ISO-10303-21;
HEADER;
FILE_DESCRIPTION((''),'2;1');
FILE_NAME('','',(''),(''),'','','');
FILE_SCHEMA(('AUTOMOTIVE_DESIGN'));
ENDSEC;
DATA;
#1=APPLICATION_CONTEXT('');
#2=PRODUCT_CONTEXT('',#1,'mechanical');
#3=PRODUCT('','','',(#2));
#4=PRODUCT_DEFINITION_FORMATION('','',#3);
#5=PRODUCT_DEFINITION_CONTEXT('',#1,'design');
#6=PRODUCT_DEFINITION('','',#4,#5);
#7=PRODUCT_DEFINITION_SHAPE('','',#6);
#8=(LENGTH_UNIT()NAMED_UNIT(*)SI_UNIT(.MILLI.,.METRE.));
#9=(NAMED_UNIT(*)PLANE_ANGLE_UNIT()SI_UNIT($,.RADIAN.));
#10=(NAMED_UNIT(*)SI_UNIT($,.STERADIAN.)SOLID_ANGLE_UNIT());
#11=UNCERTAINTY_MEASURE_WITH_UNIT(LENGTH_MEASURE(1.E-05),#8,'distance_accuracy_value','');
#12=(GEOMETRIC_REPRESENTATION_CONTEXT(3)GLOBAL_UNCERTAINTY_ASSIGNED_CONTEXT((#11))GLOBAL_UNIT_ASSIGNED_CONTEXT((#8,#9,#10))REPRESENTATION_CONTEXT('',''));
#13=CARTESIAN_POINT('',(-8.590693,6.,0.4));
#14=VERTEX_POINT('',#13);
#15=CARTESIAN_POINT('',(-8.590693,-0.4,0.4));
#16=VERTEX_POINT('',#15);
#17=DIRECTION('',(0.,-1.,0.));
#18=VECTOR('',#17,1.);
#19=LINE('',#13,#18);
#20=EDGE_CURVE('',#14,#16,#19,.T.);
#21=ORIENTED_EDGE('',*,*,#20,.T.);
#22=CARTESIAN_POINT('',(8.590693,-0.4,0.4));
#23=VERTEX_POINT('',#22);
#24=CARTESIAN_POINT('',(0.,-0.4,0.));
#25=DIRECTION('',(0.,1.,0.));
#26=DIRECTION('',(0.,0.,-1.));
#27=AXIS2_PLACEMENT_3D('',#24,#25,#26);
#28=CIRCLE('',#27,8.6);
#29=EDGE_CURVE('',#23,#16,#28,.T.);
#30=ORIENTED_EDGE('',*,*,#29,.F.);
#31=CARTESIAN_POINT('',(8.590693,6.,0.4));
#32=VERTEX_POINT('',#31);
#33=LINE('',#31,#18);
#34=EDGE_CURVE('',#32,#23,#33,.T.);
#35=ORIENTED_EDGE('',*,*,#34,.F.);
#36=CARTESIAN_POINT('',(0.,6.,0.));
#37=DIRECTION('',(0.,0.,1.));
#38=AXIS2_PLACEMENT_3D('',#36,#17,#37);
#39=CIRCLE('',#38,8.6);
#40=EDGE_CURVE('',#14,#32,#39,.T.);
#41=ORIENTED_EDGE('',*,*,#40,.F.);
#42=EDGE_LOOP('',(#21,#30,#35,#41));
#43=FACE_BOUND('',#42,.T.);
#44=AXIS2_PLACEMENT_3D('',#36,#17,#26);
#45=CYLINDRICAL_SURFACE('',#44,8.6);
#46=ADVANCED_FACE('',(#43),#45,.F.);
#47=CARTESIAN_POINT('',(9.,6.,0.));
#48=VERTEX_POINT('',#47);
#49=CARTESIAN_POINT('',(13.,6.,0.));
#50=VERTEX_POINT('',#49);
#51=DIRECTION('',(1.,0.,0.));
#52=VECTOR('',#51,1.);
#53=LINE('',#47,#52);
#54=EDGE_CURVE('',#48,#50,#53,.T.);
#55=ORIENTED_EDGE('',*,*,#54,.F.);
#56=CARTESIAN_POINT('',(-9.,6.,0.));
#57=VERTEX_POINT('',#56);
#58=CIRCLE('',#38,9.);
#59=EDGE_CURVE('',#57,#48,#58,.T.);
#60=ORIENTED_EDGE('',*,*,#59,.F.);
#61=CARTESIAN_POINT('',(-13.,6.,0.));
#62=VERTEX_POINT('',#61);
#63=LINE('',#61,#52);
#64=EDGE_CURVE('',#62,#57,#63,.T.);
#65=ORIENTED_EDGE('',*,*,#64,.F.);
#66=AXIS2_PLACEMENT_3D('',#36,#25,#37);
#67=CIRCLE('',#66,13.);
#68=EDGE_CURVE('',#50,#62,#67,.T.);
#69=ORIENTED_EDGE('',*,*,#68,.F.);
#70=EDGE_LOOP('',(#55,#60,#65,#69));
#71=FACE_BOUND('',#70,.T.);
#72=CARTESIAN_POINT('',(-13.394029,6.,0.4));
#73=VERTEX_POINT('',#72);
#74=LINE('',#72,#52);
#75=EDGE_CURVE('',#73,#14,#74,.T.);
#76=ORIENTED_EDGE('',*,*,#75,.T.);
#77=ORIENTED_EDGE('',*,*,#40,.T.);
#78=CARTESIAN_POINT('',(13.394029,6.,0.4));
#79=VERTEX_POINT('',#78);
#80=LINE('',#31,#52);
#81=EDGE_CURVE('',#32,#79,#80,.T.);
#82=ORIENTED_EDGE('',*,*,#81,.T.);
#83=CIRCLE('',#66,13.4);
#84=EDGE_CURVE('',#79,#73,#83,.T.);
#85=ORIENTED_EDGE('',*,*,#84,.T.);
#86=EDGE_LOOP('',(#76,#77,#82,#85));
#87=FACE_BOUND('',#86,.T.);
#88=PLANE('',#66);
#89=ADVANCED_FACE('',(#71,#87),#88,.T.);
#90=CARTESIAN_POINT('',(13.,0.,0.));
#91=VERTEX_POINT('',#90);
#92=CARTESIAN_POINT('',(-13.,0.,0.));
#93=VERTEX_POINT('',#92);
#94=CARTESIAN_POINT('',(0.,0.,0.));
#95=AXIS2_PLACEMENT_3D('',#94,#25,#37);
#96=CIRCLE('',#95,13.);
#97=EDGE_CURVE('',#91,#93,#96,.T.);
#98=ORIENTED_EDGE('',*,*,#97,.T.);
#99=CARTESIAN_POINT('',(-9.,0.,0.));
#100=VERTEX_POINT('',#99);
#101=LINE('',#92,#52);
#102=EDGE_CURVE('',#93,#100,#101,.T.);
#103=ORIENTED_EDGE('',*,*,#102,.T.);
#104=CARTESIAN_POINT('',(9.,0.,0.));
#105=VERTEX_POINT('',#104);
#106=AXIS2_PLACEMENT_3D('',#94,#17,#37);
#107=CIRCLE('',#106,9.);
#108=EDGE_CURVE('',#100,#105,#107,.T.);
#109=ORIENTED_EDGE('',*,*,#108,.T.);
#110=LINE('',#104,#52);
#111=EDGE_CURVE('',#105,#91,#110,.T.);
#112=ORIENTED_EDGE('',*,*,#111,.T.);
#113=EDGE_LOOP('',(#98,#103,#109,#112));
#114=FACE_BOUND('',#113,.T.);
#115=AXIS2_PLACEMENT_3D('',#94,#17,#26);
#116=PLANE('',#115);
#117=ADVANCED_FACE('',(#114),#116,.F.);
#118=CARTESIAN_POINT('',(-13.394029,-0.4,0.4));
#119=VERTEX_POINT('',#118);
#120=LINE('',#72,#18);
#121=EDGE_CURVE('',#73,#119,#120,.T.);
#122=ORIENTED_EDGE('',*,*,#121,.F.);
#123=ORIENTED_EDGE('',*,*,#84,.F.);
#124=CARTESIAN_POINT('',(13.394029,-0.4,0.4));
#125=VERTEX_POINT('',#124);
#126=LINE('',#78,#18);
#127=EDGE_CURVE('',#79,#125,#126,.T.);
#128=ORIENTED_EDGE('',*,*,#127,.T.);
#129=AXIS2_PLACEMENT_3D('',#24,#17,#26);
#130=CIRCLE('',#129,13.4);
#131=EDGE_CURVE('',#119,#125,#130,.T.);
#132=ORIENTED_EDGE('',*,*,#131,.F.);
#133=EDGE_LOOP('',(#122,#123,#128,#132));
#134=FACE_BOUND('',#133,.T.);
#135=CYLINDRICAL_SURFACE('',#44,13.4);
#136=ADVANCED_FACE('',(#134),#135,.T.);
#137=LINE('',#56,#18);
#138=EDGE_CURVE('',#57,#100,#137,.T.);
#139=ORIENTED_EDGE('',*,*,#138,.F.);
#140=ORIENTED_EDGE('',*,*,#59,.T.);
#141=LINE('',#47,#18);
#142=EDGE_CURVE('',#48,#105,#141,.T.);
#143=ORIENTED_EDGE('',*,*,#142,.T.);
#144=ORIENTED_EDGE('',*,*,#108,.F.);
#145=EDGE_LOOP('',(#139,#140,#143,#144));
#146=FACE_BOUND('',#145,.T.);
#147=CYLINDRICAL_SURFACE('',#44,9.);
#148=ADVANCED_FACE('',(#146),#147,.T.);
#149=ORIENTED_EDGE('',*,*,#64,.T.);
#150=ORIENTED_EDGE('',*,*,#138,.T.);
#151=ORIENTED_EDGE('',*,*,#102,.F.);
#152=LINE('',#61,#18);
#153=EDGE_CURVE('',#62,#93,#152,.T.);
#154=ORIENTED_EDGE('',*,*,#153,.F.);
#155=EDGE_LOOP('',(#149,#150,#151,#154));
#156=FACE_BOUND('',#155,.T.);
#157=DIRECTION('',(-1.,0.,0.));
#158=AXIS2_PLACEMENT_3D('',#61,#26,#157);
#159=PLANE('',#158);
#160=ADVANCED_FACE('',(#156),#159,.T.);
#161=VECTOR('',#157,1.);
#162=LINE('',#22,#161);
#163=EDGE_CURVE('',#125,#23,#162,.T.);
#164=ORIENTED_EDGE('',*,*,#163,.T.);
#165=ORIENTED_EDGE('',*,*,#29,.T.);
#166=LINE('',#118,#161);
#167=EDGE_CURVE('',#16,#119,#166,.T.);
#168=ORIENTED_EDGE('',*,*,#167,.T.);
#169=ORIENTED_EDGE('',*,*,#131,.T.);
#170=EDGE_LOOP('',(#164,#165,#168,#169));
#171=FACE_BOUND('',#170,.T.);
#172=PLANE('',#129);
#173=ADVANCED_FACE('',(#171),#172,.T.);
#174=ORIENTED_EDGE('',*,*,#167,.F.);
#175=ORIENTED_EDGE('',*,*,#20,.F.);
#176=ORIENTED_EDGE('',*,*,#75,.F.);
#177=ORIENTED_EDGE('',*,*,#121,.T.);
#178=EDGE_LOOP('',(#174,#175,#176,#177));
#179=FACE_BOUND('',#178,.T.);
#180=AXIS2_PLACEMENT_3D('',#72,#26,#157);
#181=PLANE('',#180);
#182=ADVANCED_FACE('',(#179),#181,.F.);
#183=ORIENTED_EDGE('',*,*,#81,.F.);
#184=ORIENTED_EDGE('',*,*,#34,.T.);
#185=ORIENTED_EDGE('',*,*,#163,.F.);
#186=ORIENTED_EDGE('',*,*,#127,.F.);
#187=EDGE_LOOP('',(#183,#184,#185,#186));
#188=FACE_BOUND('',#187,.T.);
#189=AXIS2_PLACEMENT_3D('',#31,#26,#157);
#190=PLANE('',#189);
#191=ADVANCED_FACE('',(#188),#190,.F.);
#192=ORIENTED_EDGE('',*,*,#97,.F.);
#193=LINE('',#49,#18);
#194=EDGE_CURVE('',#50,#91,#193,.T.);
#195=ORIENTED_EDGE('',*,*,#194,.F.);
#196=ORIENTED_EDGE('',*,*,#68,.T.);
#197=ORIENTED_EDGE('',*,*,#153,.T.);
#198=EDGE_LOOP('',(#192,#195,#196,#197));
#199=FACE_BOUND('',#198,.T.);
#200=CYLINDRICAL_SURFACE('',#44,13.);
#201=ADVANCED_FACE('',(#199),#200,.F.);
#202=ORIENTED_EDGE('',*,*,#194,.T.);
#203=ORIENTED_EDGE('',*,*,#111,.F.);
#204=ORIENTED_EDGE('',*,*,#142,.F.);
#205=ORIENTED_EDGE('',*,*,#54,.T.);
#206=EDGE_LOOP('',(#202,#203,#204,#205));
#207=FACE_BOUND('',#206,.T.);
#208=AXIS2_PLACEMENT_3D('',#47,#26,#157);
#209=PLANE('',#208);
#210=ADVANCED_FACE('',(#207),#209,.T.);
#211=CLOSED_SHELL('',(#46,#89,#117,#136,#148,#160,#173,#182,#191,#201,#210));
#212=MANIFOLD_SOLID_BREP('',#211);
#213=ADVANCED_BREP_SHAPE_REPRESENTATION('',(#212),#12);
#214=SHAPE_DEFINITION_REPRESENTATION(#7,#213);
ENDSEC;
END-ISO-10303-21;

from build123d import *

# Parameters (mm, degrees)
BOSS_EXTRUDE1_DEPTH = 6
BOSS_EXTRUDE2_DEPTH = 0.4


with BuildPart() as part:
    # Sketch3 → Boss-Extrude1 (new body)
    with BuildSketch(Plane(origin=(0, 0, 0), x_dir=(1, 0, 0), z_dir=(0, 1, 0))):
        with BuildLine():
            Line((8.590692638, -0.4), (13.39402852, -0.4))
            ThreePointArc((13.39402852, -0.4), (0, 13.4), (-13.39402852, -0.4))
            Line((-13.39402852, -0.4), (-8.590692638, -0.4))
            ThreePointArc((-8.590692638, -0.4), (0, 8.6), (8.590692638, -0.4))
        make_face()
        with BuildLine():
            Line((9, 0), (13, 0))
            ThreePointArc((13, 0), (0, 13), (-13, 0))
            Line((-13, 0), (-9, 0))
            ThreePointArc((-9, 0), (0, 9), (9, 0))
        make_face(mode=Mode.SUBTRACT)
    extrude(amount=BOSS_EXTRUDE1_DEPTH)

    # Sketch4 → Boss-Extrude2 (add)
    with BuildSketch(Plane.XZ):
        with BuildLine():
            Line((8.590692638, 0.4), (13.39402852, 0.4))
            ThreePointArc((13.39402852, 0.4), (0, -13.4), (-13.39402852, 0.4))
            Line((-13.39402852, 0.4), (-8.590692638, 0.4))
            ThreePointArc((-8.590692638, 0.4), (0, -8.6), (8.590692638, 0.4))
        make_face()
    extrude(amount=BOSS_EXTRUDE2_DEPTH)


solid = part.part
